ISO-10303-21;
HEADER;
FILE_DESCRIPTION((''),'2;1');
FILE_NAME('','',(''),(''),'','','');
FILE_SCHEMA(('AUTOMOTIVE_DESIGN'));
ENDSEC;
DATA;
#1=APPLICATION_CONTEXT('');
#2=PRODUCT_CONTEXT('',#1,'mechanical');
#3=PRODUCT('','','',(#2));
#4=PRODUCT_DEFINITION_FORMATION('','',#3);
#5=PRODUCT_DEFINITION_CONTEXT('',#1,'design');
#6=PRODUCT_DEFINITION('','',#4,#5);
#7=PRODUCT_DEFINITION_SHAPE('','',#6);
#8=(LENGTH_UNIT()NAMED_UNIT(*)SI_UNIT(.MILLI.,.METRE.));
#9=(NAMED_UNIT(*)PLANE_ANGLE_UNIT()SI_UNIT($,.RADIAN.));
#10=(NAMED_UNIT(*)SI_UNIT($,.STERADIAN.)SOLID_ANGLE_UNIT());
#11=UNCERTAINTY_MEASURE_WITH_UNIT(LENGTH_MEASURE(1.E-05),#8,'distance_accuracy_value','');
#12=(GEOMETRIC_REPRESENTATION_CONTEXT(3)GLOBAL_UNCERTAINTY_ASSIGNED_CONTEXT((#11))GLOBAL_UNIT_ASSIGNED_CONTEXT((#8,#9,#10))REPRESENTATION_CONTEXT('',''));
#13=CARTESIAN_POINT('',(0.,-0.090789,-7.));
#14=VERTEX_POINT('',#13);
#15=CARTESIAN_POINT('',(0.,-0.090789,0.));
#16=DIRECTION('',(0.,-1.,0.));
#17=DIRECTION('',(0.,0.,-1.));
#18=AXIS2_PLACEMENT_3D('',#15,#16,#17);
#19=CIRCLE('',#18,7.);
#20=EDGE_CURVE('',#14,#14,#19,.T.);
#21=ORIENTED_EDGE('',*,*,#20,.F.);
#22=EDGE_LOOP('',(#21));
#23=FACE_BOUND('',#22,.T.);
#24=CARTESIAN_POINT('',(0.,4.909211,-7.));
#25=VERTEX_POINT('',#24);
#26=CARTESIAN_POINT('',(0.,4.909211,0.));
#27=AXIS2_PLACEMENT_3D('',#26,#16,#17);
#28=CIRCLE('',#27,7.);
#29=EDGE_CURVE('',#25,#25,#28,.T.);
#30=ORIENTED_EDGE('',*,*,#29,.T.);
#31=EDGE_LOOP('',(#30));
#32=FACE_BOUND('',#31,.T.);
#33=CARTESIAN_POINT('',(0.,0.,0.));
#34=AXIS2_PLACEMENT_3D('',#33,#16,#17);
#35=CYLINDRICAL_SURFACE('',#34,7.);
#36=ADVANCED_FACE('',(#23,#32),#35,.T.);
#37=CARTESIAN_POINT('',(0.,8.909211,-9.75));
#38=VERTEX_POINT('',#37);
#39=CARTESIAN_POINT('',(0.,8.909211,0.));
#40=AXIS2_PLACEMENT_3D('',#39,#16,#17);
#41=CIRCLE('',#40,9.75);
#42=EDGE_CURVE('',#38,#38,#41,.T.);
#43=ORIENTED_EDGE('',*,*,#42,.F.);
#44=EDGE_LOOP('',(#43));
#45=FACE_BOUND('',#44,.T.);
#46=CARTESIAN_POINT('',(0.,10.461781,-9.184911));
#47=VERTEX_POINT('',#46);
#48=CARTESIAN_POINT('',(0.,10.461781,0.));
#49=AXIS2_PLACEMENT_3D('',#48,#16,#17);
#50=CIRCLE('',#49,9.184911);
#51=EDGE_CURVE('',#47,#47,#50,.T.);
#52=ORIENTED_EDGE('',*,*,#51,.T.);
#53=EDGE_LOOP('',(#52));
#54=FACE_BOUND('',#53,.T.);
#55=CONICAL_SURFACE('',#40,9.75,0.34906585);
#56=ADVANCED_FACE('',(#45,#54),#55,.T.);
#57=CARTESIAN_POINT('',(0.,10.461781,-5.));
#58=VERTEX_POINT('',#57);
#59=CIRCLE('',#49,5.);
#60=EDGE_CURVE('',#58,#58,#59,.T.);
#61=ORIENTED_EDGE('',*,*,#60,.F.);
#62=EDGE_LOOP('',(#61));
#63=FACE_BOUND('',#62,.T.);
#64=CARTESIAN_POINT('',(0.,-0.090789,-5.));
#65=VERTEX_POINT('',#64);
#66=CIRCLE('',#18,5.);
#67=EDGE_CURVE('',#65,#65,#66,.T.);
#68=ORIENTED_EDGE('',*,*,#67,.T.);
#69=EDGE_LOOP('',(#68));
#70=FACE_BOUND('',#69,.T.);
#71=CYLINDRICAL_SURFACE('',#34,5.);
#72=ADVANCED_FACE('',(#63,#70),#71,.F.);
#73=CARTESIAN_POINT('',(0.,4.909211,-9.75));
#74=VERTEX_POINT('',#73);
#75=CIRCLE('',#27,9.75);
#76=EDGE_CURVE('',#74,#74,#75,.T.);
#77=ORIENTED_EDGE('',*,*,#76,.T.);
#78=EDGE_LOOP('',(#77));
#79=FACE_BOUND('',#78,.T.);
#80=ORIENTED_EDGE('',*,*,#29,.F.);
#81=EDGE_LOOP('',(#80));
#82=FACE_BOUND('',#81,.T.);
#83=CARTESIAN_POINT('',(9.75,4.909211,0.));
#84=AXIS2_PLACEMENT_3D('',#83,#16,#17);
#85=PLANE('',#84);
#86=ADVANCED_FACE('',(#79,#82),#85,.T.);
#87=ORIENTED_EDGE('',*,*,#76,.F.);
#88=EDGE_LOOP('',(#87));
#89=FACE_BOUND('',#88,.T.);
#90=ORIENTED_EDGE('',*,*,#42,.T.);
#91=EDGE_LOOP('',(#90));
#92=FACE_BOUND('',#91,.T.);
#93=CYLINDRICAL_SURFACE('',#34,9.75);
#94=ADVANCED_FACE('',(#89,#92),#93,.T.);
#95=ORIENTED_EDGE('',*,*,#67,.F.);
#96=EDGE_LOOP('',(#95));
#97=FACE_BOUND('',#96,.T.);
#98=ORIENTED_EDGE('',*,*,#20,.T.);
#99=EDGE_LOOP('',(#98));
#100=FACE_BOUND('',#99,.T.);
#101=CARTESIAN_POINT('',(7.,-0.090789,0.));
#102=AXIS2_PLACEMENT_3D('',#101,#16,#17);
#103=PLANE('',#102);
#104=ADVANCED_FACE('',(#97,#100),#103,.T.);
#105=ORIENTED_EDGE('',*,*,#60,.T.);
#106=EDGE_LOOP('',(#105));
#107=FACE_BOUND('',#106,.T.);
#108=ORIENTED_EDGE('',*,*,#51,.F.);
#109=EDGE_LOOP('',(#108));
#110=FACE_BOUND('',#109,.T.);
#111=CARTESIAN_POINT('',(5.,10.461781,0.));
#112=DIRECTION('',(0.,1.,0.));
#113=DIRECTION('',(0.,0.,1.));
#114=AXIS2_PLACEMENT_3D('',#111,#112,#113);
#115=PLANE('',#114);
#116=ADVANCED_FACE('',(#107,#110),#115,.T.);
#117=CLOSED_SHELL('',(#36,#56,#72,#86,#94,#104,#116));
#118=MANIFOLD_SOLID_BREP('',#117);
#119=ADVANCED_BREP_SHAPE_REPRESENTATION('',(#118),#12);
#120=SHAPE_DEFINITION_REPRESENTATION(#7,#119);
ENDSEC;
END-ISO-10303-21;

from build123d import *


with BuildPart() as part:
    # Sketch1 → Revolve1 (revolve)
    with BuildSketch(Plane.XY, mode=Mode.PRIVATE) as revolve1_sk:
        Polygon((9.75, 8.909211316), (9.75, 4.909211316), (7, 4.909211316), (7, -0.090788684), (5, -0.090788684), (5, 10.461781218), (9.184910769, 10.461781218), align=None)
    revolve(revolve1_sk.sketch.rotate(Axis((0, 0, 0), (0, 1, 0)), 90), axis=Axis((0, 0, 0), (0, 1, 0)))


solid = part.part
